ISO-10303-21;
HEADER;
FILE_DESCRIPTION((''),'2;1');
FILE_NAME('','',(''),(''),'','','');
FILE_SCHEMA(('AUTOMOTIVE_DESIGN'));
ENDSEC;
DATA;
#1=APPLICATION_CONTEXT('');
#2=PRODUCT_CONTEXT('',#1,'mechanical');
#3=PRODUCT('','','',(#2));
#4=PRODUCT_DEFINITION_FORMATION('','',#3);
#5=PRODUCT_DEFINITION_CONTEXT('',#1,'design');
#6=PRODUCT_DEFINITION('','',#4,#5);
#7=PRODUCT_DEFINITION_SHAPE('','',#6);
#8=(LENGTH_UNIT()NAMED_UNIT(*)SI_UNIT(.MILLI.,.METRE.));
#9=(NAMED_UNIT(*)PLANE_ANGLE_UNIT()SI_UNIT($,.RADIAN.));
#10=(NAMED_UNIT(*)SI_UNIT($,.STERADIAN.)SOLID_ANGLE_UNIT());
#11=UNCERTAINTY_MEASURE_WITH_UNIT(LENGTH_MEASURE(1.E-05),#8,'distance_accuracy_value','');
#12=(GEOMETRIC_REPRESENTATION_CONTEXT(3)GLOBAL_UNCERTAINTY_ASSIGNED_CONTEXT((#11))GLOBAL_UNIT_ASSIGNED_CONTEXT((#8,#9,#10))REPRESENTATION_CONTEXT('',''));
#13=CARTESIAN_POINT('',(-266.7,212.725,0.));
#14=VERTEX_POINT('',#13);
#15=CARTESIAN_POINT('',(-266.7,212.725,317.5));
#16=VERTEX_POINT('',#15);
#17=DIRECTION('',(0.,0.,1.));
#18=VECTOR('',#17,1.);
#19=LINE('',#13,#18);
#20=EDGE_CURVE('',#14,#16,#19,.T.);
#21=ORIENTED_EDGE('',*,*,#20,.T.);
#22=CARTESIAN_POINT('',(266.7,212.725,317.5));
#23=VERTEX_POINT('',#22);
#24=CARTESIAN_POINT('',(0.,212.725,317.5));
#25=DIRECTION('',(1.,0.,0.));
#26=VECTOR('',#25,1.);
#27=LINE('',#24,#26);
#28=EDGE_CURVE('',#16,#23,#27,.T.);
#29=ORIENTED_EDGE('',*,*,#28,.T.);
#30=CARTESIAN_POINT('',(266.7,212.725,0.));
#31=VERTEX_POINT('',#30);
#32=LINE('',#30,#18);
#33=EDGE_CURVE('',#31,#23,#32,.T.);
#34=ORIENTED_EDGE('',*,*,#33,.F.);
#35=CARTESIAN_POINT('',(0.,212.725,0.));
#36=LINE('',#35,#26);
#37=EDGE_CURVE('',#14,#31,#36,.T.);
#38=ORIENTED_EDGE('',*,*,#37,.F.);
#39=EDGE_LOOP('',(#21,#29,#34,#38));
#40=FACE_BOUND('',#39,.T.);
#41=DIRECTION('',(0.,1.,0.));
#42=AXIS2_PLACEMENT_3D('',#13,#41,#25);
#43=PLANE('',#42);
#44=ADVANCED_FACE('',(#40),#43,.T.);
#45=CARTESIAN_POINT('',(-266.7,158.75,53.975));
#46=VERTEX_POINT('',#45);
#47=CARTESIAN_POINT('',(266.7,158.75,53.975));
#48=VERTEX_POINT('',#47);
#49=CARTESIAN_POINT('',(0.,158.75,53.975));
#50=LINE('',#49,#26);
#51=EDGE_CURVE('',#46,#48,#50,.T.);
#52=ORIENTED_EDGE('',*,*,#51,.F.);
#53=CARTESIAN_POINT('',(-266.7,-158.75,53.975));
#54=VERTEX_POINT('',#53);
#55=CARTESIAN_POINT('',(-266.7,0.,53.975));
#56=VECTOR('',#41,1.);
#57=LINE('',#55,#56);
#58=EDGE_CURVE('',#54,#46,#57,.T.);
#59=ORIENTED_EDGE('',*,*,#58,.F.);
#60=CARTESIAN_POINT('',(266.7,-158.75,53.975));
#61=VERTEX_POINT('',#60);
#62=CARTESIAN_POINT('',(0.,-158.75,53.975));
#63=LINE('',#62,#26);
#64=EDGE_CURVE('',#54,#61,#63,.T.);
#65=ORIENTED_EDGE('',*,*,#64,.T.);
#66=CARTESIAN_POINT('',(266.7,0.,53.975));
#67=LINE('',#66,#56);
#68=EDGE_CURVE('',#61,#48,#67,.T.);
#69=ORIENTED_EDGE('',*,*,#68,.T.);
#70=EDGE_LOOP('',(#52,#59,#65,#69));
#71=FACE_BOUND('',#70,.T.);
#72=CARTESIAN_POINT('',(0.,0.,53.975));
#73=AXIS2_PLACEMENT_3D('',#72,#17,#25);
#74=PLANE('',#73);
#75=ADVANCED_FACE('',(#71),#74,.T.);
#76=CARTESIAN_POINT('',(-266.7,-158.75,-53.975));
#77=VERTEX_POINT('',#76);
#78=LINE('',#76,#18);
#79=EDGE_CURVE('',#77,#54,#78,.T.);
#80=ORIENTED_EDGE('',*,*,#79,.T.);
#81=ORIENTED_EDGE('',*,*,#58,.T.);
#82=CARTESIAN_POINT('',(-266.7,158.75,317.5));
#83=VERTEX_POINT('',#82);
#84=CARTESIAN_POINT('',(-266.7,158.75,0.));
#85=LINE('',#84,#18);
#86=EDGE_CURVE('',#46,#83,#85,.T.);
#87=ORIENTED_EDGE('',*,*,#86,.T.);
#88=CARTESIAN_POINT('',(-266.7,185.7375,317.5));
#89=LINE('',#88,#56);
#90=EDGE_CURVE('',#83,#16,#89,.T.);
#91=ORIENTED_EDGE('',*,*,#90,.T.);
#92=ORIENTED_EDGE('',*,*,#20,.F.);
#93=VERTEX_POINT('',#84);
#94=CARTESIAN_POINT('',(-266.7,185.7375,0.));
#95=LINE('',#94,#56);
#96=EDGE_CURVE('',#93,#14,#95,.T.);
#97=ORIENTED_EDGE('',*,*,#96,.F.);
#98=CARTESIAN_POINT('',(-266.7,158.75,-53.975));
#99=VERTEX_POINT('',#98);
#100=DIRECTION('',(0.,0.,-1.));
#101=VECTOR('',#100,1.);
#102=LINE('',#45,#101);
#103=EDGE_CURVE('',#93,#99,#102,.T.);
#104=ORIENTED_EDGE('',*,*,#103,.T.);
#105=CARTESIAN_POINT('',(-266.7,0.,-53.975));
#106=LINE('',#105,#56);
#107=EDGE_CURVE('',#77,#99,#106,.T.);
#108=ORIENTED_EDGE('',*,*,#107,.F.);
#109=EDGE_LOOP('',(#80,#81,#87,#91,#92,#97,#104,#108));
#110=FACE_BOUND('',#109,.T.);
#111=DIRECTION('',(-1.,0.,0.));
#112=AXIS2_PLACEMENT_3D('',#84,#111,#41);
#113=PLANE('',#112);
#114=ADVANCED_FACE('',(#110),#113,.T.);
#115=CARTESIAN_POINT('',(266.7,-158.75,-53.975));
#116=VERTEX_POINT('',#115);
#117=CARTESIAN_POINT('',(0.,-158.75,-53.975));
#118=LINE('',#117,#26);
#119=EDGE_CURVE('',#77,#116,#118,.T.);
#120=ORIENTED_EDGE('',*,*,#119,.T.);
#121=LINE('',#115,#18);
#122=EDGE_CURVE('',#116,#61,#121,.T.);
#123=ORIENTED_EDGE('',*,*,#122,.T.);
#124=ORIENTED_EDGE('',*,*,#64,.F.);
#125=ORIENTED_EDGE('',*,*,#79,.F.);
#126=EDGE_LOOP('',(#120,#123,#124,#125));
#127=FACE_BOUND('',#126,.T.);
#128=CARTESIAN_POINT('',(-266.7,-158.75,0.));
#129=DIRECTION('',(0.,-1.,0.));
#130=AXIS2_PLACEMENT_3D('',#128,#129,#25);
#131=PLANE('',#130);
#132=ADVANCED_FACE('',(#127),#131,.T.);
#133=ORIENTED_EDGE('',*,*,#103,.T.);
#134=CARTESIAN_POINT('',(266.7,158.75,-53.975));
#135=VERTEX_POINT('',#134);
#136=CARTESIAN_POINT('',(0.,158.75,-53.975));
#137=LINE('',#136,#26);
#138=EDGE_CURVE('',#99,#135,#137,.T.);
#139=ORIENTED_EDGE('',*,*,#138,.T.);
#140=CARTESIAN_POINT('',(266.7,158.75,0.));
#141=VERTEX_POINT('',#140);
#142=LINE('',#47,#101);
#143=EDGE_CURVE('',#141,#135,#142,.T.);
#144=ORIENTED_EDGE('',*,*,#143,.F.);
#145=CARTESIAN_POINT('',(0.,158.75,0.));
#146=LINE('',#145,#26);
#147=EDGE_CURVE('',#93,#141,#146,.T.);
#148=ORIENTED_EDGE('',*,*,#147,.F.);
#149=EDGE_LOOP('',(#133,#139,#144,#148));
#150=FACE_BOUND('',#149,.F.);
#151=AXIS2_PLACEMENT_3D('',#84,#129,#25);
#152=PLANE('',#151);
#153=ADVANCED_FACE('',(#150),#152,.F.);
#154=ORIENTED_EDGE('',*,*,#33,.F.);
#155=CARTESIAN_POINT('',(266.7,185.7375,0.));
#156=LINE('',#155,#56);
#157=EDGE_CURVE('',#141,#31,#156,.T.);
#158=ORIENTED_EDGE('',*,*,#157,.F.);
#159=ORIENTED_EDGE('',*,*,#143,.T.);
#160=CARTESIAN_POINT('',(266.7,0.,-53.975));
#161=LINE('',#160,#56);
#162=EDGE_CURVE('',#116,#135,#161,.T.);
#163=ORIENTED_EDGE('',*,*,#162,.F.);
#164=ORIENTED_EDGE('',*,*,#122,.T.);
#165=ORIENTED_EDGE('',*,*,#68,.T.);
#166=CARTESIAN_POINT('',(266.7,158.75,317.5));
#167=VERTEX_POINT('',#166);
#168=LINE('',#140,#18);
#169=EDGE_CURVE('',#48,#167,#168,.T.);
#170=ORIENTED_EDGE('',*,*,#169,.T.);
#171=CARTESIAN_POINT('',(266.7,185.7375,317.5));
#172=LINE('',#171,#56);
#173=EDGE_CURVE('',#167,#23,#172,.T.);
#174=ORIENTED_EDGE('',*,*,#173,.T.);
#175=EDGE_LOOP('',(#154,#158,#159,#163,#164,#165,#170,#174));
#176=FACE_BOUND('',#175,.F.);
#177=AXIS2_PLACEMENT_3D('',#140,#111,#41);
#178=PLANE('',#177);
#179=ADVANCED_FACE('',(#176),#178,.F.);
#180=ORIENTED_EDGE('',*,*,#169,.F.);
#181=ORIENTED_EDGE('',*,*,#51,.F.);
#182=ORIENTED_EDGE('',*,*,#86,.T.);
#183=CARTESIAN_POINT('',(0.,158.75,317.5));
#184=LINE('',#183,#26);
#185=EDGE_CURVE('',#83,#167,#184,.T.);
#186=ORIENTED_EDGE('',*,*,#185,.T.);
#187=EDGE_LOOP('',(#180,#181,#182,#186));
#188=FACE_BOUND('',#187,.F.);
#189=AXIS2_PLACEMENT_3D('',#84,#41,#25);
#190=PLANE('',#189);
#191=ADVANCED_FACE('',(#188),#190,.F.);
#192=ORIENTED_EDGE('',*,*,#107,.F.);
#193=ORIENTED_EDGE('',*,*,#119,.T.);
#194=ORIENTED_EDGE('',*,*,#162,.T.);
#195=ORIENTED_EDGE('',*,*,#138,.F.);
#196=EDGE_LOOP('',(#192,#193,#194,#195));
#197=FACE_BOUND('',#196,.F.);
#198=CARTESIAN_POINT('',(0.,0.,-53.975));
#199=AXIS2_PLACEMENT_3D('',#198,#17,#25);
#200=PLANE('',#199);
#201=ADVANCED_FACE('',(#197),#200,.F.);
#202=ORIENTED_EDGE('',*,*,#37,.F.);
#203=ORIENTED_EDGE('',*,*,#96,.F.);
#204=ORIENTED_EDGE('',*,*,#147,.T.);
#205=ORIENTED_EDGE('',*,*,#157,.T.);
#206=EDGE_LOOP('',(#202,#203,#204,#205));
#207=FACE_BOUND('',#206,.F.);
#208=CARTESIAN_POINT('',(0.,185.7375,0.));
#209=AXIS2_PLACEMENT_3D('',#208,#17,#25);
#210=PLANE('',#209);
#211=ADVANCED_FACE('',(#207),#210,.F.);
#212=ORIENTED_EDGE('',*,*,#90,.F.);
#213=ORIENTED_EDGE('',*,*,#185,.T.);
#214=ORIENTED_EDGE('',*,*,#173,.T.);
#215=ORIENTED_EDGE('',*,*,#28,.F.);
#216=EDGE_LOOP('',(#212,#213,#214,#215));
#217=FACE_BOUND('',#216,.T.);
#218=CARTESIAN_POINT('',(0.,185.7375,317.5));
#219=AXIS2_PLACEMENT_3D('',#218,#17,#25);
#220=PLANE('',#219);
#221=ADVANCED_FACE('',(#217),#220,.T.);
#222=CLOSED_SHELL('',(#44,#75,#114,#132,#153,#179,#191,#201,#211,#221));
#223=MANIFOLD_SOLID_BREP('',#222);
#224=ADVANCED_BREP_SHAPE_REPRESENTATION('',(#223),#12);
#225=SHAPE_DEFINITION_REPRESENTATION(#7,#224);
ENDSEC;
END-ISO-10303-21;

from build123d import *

# Parameters (mm, degrees)
F0_W     = 533.4
F0_H     = 317.5
F1_DEPTH = 53.975
F2_W     = 533.4
F2_H     = 53.975
F3_DEPTH = 317.5


with BuildPart() as f1:
    # F0 (on Top) → F1 (new body, symmetric)
    with BuildSketch(Plane.XY):
        Rectangle(F0_W, F0_H)
    extrude(amount=F1_DEPTH, both=True)

    # F2 (on Top) → F3 (join)
    with BuildSketch(Plane.XY):
        with Locations((0, 185.7375)):
            Rectangle(F2_W, F2_H)
    extrude(amount=F3_DEPTH)


solid = f1.part
